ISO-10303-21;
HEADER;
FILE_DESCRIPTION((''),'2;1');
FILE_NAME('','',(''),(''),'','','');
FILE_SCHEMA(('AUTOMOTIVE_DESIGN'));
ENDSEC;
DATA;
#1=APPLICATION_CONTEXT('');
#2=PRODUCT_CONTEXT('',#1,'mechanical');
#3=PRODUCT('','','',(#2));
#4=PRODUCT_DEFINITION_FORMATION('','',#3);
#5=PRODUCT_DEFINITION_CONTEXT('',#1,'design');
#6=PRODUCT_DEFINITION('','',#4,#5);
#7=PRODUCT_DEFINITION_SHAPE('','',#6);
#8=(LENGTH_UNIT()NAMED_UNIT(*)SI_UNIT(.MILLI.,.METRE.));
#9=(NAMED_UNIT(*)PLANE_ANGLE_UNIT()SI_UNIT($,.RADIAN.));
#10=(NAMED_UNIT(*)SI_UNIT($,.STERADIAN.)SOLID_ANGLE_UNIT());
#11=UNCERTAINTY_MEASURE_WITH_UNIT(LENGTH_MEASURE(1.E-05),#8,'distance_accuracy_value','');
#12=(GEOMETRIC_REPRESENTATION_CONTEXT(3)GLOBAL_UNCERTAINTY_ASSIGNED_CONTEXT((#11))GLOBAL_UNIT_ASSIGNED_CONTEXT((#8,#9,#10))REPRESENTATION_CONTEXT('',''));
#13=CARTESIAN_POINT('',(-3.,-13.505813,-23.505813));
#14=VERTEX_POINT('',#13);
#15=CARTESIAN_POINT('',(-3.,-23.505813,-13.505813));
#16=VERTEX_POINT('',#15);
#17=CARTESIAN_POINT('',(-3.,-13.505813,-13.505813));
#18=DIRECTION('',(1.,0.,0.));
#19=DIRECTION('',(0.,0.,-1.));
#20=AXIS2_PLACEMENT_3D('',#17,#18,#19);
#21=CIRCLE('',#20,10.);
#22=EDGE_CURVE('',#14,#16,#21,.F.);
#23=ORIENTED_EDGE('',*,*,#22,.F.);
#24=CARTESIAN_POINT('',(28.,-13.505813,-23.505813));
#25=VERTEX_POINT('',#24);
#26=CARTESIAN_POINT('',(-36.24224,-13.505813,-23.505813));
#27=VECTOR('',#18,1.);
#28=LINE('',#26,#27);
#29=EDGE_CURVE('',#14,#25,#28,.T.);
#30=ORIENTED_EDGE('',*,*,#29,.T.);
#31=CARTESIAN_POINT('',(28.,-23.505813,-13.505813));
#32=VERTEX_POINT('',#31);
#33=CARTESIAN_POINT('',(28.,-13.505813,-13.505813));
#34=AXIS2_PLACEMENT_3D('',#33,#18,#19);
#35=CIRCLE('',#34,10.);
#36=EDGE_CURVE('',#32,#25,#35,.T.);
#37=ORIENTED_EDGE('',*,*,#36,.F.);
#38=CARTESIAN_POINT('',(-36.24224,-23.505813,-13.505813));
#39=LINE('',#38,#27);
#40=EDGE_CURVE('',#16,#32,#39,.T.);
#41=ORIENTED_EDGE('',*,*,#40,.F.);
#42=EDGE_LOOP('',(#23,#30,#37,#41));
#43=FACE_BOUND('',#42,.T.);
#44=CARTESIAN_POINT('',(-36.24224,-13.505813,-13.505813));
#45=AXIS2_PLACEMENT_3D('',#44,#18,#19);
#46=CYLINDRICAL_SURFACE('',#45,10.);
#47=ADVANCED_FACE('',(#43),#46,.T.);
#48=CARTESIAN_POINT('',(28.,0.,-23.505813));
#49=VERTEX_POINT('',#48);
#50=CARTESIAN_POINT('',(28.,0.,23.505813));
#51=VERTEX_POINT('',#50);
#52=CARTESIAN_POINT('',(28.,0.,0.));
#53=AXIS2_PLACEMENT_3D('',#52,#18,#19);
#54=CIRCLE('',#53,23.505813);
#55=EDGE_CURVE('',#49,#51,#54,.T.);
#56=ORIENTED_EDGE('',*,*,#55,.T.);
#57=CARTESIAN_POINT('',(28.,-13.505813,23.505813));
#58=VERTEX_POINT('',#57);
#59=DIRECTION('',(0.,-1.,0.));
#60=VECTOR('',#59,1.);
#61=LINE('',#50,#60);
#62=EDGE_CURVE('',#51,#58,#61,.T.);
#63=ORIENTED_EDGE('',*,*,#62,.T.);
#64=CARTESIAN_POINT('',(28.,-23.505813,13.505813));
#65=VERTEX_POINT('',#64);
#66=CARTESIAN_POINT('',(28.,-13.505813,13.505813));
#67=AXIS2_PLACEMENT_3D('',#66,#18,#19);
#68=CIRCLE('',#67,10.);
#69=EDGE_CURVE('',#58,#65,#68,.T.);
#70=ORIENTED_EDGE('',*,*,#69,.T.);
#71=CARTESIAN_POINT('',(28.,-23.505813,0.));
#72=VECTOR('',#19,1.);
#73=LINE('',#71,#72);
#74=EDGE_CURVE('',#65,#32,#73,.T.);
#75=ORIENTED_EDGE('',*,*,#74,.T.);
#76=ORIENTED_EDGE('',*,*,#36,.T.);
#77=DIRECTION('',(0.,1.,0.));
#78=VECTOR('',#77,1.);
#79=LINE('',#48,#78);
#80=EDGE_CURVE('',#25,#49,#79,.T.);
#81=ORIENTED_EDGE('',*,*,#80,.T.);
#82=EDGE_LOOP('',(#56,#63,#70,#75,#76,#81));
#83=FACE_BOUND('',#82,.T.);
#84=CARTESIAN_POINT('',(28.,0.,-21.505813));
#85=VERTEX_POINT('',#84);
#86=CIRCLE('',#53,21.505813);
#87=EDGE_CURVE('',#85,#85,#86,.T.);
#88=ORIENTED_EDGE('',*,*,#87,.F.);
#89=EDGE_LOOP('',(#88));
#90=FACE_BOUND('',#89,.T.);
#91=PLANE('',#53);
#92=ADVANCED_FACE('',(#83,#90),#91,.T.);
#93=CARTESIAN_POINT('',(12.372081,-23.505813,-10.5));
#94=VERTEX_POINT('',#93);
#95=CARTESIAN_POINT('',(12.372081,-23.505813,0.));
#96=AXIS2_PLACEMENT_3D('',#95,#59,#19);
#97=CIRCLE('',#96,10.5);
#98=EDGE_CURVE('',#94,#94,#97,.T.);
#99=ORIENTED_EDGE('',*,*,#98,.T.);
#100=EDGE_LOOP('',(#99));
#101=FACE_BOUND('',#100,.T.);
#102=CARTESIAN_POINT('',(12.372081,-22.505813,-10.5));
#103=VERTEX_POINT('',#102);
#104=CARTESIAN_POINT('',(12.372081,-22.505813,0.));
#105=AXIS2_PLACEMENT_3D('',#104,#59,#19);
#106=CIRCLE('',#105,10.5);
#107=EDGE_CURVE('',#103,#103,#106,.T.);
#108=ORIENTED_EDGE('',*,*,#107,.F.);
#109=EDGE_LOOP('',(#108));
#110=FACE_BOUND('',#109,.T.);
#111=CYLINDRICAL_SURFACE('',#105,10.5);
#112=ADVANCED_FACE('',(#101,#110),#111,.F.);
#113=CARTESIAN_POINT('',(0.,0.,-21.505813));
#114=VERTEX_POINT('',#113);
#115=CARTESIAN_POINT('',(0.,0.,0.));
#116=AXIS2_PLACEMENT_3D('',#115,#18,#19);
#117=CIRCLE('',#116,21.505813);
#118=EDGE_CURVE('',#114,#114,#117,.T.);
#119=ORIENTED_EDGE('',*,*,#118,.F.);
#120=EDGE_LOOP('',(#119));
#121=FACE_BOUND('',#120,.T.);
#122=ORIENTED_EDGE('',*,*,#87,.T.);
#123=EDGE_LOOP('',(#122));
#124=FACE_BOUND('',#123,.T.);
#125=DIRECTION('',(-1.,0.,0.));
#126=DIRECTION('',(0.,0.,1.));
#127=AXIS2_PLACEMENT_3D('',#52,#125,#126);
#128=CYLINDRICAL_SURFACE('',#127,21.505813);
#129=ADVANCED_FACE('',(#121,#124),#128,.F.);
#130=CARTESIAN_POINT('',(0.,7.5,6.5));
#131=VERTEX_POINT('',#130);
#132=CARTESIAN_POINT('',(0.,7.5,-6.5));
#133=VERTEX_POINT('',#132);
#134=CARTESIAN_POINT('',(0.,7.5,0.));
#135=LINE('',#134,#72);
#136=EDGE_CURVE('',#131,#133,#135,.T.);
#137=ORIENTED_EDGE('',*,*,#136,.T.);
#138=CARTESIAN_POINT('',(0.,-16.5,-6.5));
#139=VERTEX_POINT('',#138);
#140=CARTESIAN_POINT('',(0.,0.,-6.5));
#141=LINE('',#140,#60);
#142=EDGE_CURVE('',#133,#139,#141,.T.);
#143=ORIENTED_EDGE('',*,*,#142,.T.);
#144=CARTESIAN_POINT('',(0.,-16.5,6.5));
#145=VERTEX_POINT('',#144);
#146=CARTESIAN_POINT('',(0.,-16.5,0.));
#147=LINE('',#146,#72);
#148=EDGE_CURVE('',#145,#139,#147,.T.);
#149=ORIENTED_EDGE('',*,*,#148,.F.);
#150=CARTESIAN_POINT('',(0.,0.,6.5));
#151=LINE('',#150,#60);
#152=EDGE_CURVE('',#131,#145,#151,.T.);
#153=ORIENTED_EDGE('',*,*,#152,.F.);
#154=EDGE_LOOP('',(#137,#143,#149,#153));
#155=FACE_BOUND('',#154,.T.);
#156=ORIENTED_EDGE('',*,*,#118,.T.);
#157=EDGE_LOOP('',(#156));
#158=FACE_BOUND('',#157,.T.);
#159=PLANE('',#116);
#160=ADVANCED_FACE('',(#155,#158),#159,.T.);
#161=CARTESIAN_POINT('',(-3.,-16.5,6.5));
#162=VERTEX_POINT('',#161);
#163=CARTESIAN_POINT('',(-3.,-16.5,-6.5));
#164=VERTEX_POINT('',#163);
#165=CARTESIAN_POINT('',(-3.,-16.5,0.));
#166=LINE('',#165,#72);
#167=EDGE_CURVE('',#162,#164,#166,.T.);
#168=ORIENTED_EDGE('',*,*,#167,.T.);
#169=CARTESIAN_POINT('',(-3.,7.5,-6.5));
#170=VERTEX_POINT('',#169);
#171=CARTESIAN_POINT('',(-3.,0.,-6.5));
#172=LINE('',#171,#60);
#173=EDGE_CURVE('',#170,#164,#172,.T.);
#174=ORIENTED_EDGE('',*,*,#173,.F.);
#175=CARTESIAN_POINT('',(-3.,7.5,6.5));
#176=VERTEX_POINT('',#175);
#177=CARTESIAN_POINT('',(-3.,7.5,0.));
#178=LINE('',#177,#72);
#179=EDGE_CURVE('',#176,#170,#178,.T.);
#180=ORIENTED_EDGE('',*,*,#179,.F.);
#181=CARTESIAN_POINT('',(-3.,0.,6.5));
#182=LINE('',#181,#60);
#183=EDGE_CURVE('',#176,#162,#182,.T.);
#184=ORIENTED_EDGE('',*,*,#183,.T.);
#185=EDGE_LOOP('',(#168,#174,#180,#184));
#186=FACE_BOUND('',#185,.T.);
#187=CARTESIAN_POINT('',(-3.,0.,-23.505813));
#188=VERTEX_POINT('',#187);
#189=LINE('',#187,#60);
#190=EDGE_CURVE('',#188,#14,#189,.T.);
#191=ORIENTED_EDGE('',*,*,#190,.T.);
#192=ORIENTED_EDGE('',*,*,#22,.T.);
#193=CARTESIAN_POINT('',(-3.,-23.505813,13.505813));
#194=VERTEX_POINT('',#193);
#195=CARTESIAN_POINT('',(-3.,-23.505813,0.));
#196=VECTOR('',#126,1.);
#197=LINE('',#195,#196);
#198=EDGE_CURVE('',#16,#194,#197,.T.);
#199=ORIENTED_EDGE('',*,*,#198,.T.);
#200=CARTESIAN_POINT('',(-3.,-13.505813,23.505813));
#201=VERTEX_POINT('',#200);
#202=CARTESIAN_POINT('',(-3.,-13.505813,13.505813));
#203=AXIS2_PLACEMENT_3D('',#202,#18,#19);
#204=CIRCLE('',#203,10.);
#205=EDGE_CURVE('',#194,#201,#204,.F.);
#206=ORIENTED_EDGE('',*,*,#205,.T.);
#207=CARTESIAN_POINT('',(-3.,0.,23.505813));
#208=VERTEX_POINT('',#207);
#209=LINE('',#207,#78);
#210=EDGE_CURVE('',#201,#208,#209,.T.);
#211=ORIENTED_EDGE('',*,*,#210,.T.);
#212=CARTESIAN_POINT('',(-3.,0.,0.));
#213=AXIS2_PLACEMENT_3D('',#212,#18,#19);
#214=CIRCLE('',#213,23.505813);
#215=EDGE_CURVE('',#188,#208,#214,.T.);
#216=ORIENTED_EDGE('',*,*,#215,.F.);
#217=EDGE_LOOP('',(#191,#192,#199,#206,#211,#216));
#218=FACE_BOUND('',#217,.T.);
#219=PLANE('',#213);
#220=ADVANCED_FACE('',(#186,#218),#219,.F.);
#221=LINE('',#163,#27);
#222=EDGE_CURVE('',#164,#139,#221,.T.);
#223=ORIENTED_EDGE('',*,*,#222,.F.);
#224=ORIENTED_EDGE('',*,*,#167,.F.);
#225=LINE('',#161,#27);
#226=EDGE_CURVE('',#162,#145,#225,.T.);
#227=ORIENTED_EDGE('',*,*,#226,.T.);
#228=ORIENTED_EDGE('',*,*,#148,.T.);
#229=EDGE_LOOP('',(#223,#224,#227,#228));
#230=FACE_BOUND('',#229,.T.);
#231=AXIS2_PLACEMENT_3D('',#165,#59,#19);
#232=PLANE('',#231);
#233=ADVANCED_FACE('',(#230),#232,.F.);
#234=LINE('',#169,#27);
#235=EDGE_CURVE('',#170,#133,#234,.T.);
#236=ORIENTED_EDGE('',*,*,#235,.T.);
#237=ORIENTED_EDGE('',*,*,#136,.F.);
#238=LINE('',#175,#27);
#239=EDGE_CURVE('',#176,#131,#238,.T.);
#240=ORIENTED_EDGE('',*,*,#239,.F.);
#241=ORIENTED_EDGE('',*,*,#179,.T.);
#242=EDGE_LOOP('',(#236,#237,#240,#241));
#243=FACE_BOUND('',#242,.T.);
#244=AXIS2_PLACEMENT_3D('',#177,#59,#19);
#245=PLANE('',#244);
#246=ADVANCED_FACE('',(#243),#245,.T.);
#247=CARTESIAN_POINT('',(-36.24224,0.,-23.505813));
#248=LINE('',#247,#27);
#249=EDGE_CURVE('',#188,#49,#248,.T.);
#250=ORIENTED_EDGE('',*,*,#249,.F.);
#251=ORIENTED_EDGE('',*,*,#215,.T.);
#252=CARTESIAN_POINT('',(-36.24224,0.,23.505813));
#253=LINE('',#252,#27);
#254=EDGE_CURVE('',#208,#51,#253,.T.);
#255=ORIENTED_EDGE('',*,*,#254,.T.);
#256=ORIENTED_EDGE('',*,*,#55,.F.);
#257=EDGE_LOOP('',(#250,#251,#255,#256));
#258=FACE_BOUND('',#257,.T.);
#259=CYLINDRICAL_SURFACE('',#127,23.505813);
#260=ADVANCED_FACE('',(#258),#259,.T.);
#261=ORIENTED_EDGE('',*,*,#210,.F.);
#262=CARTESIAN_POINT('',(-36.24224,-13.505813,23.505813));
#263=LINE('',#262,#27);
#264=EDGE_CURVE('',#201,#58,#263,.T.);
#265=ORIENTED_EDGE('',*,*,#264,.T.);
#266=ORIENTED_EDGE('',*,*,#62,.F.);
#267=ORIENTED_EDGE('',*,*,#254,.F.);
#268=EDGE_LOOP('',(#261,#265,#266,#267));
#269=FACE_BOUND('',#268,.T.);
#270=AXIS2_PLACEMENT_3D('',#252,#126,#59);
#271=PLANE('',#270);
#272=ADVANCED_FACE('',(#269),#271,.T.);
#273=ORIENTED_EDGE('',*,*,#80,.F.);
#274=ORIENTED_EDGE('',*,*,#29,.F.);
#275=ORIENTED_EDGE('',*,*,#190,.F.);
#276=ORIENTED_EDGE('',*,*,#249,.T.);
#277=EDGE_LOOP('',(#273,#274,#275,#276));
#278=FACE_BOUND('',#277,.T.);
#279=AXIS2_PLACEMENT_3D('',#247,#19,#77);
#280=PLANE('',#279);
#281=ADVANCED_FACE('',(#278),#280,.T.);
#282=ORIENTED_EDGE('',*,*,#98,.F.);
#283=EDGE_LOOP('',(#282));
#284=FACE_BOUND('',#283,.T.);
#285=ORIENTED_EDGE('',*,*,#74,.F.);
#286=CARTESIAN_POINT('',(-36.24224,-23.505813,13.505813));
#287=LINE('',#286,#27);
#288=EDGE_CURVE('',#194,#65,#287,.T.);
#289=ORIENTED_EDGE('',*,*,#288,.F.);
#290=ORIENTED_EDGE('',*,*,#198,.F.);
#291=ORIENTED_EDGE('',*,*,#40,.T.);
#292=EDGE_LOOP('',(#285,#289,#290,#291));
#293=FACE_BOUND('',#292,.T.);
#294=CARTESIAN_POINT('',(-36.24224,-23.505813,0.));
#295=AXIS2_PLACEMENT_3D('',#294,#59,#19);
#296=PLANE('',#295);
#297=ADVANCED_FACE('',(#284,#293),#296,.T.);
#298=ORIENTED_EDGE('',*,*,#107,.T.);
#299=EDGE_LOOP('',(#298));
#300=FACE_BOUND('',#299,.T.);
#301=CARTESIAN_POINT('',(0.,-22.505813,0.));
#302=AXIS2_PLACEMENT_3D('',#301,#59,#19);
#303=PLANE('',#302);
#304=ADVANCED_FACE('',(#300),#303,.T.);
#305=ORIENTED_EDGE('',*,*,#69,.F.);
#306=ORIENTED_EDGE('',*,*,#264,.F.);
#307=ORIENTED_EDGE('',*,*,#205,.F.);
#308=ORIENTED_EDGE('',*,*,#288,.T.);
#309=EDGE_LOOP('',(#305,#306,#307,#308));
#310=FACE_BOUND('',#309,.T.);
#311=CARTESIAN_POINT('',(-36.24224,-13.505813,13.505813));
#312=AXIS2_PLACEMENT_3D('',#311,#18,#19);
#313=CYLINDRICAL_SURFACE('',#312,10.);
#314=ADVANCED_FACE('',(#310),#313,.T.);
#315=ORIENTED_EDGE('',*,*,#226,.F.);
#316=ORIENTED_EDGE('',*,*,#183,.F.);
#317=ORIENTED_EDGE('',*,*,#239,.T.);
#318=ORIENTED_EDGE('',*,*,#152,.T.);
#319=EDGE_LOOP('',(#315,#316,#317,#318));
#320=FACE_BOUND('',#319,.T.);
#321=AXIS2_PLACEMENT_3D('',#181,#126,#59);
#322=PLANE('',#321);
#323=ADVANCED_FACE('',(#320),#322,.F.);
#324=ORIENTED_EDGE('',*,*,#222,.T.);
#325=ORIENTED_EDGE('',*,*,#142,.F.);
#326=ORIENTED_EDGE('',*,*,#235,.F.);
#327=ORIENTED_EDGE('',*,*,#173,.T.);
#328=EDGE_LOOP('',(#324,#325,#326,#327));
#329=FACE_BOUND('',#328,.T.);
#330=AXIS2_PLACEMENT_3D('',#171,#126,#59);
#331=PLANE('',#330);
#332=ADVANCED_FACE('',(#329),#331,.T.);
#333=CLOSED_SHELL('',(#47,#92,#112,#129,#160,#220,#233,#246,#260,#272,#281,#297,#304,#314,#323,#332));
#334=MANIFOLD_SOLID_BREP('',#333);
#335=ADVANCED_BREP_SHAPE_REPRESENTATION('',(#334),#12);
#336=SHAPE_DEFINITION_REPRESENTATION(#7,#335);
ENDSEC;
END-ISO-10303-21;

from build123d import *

# Parameters (mm, degrees)
SKETCH1_R           = 23.505813168
SKETCH1_R_2         = 21.505813168
BOSS_EXTRUDE1_DEPTH = 28
BOSS_EXTRUDE4_START = -3
SKETCH1_6_R         = 23.505813168
SKETCH1_6_R_2       = 21.505813168
SKETCH1_6_W         = 4
SKETCH1_6_H         = 13
BOSS_EXTRUDE4_DEPTH = 3
BOSS_EXTRUDE5_START = -31
BOSS_EXTRUDE5_DEPTH = 31
SKETCH3_R           = 10.5
CUT_EXTRUDE4_DEPTH  = 1


with BuildPart() as part:
    # Sketch1 → Boss-Extrude1 (new body)
    with BuildSketch(Plane.YZ):
        with Locations(Location((0, 0, 0), (0, 0, 270))):
            Circle(SKETCH1_R)
        with Locations(Location((0, 0, 0), (0, 0, 270))):
            Circle(SKETCH1_R_2, mode=Mode.SUBTRACT)
    extrude(amount=BOSS_EXTRUDE1_DEPTH)

    # Sketch1<6> → Boss-Extrude4 (add)
    # profile 1 of 5: a face of its own
    with BuildSketch(Plane.YZ.offset(BOSS_EXTRUDE4_START)):
        with Locations(Location((0, 0, 0), (0, 0, 270))):
            Circle(SKETCH1_6_R)
        with Locations(Location((0, 0, 0), (0, 0, 270))):
            Circle(SKETCH1_6_R_2, mode=Mode.SUBTRACT)
    # profile 2 of 5: a face of its own
    with BuildSketch(Plane.YZ.offset(BOSS_EXTRUDE4_START)):
        with BuildLine():
            Line((-20.5, -6.5), (-20.5, 6.5))
            ThreePointArc((-20.5, 6.5), (-21.505813168, 0), (-20.5, -6.5))
        make_face()
    # profile 3 of 5: a face of its own
    with BuildSketch(Plane.YZ.offset(BOSS_EXTRUDE4_START)):
        with Locations((-18.5, 0)):
            Rectangle(SKETCH1_6_W, SKETCH1_6_H)
    # profile 4 of 5: a face of its own
    with BuildSketch(Plane.YZ.offset(BOSS_EXTRUDE4_START)):
        with BuildLine():
            Line((-20.5, 6.5), (-16.5, 6.5))
            Line((-16.5, 6.5), (-7.925433742, 6.5))
            ThreePointArc((-7.925433742, 6.5), (3.451579649, 9.651378033), (10.25, 0))
            ThreePointArc((10.25, 0), (3.451579649, -9.651378033), (-7.925433742, -6.5))
            Line((-7.925433742, -6.5), (-16.5, -6.5))
            Line((-16.5, -6.5), (-20.5, -6.5))
            ThreePointArc((-20.5, -6.5), (3.288679831, -21.252872393), (21.505813168, 0))
            ThreePointArc((21.505813168, 0), (3.288679831, 21.252872393), (-20.5, 6.5))
        make_face()
    # profile 5 of 5: a face of its own
    with BuildSketch(Plane.YZ.offset(BOSS_EXTRUDE4_START)):
        with BuildLine():
            ThreePointArc((10.25, 0), (3.451579649, 9.651378033), (-7.925433742, 6.5))
            Line((-7.925433742, 6.5), (0, 6.5))
            Line((0, 6.5), (7.5, 6.5))
            Line((7.5, 6.5), (7.5, -6.5))
            Line((7.5, -6.5), (0, -6.5))
            Line((0, -6.5), (-7.925433742, -6.5))
            ThreePointArc((-7.925433742, -6.5), (3.451579649, -9.651378033), (10.25, 0))
        make_face()
    extrude(amount=BOSS_EXTRUDE4_DEPTH)

    # Sketch2 → Boss-Extrude5 (add)
    with BuildSketch(Plane.YZ.offset(28).offset(BOSS_EXTRUDE5_START)):
        with BuildLine():
            ThreePointArc((-23.505813168, 0), (-16.621119888, 16.621119888), (0, 23.505813168))
            Line((0, 23.505813168), (-13.505813168, 23.505813168))
            ThreePointArc((-13.505813168, 23.505813168), (-20.576880979, 20.576880979), (-23.505813168, 13.505813168))
            Line((-23.505813168, 13.505813168), (-23.505813168, 0))
        make_face()
        with BuildLine():
            ThreePointArc((0, -23.505813168), (-16.621119888, -16.621119888), (-23.505813168, 0))
            Line((-23.505813168, 0), (-23.505813168, -13.505813168))
            ThreePointArc((-23.505813168, -13.505813168), (-20.576880979, -20.576880979), (-13.505813168, -23.505813168))
            Line((-13.505813168, -23.505813168), (0, -23.505813168))
        make_face()
    extrude(amount=BOSS_EXTRUDE5_DEPTH)

    # Sketch3 → Cut-Extrude4 (cut)
    with BuildSketch(Plane.XZ.offset(23.505813168)):
        with Locations(Location((12.372081248, 0, 0), (0, 0, 270))):
            Circle(SKETCH3_R)
    extrude(amount=-CUT_EXTRUDE4_DEPTH, mode=Mode.SUBTRACT)


solid = part.part
